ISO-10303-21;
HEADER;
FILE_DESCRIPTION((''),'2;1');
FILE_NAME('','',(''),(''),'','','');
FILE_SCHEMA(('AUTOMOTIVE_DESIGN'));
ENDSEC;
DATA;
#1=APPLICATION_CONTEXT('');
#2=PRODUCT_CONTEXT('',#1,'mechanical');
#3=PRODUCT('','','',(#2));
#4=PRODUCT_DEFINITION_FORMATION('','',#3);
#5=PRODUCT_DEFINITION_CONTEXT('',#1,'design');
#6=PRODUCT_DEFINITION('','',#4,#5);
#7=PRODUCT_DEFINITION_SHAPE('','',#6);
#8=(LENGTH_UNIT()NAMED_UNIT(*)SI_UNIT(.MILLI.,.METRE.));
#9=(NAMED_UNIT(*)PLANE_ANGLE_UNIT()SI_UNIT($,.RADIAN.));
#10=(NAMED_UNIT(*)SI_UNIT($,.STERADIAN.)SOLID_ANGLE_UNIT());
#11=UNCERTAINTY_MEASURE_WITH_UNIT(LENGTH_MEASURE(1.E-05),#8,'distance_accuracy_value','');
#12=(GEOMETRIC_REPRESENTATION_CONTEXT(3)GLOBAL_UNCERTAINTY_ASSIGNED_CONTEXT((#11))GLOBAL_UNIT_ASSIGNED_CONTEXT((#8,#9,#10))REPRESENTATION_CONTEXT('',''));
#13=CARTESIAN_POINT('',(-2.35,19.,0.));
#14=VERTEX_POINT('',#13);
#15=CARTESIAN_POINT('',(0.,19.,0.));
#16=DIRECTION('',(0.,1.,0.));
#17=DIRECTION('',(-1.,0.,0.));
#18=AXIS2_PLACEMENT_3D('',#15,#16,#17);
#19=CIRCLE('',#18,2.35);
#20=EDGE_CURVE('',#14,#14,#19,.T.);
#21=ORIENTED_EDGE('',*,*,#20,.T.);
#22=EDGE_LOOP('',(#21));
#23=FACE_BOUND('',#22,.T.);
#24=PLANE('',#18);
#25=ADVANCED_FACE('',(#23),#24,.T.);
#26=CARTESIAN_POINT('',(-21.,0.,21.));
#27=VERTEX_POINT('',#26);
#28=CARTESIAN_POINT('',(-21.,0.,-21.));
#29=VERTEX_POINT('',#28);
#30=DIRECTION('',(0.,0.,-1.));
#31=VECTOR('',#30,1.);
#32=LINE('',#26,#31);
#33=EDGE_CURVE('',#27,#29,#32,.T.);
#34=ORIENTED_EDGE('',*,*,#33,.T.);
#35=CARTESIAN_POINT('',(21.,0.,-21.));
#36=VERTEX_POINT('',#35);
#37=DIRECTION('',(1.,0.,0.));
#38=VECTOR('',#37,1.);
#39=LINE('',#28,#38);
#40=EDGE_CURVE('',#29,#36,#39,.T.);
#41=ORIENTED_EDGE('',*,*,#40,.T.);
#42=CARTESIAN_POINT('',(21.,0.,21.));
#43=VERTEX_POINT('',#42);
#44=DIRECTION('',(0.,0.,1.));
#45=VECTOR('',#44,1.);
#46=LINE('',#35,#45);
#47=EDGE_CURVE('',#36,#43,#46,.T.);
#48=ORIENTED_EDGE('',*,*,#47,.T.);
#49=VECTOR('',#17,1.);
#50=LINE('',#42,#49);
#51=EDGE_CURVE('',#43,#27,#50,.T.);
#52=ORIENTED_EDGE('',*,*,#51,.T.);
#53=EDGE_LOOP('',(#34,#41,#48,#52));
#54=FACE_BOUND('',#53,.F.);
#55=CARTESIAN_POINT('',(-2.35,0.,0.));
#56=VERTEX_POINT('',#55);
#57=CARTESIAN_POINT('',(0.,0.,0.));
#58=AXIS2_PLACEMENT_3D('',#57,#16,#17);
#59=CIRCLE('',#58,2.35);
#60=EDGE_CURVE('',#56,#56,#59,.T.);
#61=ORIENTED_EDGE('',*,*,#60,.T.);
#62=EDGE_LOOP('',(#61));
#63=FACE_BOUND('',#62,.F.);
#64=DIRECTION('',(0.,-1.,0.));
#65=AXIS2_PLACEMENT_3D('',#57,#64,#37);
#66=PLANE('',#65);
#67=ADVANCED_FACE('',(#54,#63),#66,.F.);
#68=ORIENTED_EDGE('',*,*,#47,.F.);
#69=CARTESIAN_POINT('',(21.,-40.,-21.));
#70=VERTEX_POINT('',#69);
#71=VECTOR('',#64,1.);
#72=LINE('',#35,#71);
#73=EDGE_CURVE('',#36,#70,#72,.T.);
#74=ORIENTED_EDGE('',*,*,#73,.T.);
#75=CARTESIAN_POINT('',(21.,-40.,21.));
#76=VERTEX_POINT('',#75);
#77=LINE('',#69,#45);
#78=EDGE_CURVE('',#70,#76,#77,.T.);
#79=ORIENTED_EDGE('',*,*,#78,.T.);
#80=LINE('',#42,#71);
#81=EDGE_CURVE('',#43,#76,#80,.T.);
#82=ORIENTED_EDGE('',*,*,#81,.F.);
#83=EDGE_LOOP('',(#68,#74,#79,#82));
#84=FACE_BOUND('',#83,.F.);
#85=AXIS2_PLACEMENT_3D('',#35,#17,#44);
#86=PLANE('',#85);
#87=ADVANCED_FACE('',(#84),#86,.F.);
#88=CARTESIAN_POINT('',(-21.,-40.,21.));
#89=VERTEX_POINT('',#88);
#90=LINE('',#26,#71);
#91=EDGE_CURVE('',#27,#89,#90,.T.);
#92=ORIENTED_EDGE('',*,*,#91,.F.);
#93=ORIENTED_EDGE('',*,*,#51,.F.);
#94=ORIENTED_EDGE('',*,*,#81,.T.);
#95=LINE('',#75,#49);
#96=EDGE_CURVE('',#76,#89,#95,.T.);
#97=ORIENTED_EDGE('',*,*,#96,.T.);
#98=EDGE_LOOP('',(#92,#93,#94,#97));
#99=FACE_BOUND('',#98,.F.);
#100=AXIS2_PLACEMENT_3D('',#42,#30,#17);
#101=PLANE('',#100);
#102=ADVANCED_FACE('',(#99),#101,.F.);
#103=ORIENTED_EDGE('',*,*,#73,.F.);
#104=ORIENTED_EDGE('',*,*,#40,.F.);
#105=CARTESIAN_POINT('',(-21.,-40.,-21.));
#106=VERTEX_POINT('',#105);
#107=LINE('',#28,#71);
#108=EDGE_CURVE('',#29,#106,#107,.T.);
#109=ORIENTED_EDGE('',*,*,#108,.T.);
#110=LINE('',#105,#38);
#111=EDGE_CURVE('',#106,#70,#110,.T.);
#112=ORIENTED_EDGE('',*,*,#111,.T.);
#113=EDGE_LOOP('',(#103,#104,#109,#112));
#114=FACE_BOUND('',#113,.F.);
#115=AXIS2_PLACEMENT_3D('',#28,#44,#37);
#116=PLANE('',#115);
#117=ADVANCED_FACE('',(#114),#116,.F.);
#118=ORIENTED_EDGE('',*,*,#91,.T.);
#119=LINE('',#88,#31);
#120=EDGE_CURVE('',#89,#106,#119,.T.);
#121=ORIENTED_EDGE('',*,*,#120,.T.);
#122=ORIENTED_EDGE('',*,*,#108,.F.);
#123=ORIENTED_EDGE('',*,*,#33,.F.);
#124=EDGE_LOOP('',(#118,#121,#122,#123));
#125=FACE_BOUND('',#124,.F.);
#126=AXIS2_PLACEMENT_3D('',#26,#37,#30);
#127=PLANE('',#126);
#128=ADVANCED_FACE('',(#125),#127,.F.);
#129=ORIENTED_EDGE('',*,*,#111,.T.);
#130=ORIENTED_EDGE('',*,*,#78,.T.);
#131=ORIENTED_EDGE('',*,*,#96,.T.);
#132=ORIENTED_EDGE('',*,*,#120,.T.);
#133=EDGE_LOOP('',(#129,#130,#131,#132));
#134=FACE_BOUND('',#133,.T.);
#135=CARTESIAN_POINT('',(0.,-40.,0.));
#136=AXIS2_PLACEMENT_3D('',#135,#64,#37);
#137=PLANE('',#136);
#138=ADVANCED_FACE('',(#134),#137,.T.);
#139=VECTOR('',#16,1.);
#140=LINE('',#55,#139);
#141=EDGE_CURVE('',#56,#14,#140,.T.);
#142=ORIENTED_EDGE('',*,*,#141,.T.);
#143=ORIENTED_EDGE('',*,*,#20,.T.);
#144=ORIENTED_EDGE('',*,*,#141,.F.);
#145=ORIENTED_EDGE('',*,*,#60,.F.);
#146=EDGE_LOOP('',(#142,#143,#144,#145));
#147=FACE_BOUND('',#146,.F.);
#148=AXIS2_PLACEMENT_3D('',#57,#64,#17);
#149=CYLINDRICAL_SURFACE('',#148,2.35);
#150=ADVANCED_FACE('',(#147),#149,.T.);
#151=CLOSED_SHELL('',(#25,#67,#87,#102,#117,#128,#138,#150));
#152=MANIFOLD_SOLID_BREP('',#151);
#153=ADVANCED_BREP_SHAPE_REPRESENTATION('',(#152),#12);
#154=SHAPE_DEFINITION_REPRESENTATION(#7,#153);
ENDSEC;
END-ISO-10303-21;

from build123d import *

# Parameters (mm, degrees)
F1_DEPTH = 40
F2_R     = 2.35
F3_DEPTH = 19


with BuildPart() as f1:
    # F0 (on Front) → F1 (new body)
    with BuildSketch(Plane.XZ):
        Polygon((-21, 21), (-21, 0), (-21, -21), (0, -21), (21, -21), (21, 0), (21, 21), (0, 21), align=None)
    extrude(amount=F1_DEPTH)

    # F2 (on face) → F3 (join)
    with BuildSketch(Plane(origin=(0, 0, 0), x_dir=(-1, 0, 0), z_dir=(0, 1, 0))):
        Circle(F2_R)
    extrude(amount=F3_DEPTH)


solid = f1.part
